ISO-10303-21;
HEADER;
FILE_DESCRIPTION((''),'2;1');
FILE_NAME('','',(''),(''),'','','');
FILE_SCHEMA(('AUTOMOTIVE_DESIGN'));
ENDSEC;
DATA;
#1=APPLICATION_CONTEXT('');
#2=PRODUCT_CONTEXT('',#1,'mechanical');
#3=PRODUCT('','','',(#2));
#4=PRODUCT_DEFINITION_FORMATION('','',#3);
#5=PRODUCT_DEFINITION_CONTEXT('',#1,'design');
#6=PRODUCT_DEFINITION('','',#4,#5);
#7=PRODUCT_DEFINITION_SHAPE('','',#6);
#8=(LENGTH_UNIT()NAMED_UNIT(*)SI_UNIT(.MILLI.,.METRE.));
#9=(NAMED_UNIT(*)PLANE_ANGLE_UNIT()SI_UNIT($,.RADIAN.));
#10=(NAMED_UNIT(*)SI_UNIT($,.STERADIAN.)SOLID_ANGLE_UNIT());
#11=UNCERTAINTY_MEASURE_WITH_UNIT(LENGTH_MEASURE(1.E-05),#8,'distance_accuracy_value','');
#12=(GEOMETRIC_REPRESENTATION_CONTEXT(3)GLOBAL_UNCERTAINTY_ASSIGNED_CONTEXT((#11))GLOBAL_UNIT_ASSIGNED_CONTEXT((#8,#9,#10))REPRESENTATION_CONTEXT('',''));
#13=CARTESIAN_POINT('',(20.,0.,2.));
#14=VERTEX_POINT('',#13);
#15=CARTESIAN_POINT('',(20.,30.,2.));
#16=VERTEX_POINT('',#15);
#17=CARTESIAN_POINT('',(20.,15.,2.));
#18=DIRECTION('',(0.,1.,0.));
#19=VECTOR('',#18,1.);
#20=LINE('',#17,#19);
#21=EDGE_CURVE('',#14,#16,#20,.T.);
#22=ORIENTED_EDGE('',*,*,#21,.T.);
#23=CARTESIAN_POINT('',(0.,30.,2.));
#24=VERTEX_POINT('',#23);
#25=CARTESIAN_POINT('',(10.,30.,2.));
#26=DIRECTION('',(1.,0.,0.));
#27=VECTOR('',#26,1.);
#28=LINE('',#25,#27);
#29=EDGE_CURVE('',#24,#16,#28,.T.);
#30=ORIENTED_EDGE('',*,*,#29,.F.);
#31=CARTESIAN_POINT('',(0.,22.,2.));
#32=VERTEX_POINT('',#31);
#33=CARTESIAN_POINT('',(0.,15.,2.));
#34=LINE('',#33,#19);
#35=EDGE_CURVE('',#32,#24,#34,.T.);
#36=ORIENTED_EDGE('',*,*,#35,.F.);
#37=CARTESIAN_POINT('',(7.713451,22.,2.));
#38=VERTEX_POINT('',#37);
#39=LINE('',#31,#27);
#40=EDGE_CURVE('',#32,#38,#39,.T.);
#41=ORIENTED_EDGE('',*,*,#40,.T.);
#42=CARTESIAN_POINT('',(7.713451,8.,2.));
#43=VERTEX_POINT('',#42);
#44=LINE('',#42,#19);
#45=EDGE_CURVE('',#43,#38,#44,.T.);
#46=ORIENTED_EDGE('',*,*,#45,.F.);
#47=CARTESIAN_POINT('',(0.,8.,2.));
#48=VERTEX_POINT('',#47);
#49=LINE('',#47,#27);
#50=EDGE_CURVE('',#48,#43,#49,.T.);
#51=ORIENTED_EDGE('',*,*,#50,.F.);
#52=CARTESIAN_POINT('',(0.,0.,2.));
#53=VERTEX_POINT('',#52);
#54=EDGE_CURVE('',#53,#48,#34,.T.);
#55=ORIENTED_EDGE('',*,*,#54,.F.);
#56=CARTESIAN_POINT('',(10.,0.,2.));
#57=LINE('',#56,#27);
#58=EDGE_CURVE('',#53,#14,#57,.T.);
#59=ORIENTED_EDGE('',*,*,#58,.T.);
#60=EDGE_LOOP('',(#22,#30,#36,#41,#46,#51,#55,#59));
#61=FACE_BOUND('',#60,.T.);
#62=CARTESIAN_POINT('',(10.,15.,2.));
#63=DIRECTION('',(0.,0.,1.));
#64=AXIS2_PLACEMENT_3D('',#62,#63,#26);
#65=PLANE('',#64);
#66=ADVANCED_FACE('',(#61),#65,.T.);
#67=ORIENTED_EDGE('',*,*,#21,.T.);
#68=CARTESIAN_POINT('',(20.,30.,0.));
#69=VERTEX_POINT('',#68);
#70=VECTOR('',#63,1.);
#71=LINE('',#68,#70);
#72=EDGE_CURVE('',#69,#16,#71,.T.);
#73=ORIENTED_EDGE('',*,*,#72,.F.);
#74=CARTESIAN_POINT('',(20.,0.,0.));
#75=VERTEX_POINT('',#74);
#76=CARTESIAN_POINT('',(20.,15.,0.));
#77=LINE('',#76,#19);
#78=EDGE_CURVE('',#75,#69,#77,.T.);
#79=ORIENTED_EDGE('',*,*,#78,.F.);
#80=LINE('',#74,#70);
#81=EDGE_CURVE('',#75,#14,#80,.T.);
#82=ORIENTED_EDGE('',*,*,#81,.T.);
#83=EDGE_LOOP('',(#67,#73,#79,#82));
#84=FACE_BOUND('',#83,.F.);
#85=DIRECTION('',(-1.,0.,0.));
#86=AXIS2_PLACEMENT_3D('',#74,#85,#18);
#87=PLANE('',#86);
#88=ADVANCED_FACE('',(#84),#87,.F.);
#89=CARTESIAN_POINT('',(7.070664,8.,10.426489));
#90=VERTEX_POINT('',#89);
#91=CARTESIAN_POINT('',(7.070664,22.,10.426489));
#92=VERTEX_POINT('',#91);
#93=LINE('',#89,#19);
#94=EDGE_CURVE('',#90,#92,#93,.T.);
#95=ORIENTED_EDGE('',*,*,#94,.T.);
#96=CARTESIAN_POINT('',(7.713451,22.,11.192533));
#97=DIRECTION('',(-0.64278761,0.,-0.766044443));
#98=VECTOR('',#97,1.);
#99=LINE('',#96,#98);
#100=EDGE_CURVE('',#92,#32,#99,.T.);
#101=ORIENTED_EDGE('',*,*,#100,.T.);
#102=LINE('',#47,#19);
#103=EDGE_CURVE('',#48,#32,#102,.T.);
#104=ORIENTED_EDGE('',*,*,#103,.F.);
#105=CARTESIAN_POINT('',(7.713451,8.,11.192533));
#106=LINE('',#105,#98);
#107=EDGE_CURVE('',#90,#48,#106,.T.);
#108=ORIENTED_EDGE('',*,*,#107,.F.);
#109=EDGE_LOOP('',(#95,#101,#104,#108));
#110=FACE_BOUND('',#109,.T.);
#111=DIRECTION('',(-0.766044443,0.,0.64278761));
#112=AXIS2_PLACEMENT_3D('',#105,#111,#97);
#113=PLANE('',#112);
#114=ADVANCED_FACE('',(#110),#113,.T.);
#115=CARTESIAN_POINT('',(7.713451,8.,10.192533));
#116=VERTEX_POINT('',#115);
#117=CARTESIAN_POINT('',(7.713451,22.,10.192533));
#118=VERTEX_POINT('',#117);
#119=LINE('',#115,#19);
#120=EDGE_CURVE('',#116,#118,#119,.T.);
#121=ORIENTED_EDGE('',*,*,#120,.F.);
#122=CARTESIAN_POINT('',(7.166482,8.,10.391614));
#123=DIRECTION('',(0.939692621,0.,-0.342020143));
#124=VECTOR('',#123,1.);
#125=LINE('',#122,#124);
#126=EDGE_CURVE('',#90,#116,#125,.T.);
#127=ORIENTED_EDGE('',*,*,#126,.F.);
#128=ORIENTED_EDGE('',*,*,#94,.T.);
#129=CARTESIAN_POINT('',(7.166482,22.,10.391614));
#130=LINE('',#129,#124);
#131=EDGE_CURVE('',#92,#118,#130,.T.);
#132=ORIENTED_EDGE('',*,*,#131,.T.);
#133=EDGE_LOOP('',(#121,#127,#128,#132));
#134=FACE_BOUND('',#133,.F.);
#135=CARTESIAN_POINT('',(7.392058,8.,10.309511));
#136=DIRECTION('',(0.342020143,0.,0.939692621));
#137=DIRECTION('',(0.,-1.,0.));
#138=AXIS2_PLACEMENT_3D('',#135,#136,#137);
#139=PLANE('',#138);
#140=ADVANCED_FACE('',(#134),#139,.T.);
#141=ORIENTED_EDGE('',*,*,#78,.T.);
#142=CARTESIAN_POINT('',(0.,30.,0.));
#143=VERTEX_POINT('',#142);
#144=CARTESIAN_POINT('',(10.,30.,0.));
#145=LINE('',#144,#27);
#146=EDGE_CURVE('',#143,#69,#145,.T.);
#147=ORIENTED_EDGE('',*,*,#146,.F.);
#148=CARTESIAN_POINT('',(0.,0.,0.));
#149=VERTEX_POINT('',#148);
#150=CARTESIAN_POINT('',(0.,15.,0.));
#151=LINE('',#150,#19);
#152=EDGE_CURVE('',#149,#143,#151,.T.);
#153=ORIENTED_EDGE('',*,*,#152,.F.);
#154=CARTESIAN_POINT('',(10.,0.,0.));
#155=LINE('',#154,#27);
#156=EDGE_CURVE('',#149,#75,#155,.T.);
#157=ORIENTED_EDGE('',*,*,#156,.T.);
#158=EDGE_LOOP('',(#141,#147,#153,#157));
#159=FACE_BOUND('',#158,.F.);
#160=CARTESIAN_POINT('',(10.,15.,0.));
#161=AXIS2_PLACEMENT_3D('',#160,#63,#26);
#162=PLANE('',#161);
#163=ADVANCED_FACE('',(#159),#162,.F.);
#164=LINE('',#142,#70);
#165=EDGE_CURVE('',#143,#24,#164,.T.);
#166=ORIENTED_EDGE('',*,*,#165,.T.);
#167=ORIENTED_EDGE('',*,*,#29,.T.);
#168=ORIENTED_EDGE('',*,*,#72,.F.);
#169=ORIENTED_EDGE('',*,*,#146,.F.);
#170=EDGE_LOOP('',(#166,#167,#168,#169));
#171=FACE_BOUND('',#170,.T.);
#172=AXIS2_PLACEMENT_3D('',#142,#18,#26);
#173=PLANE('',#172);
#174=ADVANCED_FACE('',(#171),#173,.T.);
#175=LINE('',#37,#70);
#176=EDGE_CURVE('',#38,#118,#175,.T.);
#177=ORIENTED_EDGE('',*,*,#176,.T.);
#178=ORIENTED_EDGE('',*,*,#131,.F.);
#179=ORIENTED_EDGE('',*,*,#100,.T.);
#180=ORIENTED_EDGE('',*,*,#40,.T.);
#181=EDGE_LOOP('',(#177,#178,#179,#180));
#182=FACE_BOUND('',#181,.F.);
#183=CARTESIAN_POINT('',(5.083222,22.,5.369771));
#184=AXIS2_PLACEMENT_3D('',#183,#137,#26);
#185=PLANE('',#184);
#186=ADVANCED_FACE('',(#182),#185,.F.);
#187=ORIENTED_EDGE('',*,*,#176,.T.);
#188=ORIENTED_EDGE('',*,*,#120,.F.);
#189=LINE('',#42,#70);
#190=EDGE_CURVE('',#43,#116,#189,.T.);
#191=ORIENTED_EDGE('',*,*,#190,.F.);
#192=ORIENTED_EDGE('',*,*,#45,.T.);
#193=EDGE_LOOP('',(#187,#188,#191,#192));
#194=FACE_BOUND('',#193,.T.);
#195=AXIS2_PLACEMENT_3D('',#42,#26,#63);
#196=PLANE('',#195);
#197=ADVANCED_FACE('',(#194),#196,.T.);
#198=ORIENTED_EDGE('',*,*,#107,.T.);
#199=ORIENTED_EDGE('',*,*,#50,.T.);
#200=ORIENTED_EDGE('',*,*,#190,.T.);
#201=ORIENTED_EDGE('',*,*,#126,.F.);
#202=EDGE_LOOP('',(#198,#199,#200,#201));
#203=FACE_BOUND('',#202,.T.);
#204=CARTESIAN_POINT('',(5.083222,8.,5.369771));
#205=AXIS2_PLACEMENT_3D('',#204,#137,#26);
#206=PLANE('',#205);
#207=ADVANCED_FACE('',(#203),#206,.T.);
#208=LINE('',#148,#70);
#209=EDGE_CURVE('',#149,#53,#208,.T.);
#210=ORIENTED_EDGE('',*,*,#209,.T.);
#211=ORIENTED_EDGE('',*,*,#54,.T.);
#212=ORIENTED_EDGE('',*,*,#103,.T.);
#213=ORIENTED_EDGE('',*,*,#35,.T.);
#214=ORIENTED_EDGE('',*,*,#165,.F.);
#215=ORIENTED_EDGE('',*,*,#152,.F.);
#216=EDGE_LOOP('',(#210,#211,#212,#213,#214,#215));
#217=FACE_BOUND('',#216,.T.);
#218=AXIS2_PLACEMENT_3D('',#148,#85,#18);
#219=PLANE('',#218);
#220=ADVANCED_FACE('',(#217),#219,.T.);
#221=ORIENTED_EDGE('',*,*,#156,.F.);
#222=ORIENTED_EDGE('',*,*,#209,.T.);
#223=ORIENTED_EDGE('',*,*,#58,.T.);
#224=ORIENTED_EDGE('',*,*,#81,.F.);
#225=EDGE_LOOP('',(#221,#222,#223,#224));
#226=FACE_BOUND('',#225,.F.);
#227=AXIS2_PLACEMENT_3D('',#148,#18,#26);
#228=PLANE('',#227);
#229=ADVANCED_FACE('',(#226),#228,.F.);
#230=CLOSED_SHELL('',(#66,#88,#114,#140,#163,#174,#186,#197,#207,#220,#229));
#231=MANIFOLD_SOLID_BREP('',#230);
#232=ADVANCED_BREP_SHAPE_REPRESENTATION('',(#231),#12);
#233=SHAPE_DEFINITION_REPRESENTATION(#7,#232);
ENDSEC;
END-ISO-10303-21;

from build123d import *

# Parameters (mm, degrees)
F0_W     = 20
F0_H     = 30
F1_DEPTH = 2
F3_START = -8
F3_DEPTH = 14
F4_SIZE  = 1


with BuildPart() as f1:
    # F0 (on Top) → F1 (new body)
    with BuildSketch(Plane.XY):
        with Locations((10, 15)):
            Rectangle(F0_W, F0_H)
    extrude(amount=F1_DEPTH)

    # F2 (on face) → F3 (join)
    with BuildSketch(Plane.XZ.offset(F3_START)):
        Polygon((7.7134513162, 11.1925333174), (0, 2), (7.7134513162, 2), align=None)
    extrude(amount=-F3_DEPTH)

    # F4
    f4_edges = [f1.edges().sort_by_distance(p)[0] for p in [
        (7.713451, 15, 11.192533),
    ]]
    chamfer(f4_edges, length=F4_SIZE)


solid = f1.part
